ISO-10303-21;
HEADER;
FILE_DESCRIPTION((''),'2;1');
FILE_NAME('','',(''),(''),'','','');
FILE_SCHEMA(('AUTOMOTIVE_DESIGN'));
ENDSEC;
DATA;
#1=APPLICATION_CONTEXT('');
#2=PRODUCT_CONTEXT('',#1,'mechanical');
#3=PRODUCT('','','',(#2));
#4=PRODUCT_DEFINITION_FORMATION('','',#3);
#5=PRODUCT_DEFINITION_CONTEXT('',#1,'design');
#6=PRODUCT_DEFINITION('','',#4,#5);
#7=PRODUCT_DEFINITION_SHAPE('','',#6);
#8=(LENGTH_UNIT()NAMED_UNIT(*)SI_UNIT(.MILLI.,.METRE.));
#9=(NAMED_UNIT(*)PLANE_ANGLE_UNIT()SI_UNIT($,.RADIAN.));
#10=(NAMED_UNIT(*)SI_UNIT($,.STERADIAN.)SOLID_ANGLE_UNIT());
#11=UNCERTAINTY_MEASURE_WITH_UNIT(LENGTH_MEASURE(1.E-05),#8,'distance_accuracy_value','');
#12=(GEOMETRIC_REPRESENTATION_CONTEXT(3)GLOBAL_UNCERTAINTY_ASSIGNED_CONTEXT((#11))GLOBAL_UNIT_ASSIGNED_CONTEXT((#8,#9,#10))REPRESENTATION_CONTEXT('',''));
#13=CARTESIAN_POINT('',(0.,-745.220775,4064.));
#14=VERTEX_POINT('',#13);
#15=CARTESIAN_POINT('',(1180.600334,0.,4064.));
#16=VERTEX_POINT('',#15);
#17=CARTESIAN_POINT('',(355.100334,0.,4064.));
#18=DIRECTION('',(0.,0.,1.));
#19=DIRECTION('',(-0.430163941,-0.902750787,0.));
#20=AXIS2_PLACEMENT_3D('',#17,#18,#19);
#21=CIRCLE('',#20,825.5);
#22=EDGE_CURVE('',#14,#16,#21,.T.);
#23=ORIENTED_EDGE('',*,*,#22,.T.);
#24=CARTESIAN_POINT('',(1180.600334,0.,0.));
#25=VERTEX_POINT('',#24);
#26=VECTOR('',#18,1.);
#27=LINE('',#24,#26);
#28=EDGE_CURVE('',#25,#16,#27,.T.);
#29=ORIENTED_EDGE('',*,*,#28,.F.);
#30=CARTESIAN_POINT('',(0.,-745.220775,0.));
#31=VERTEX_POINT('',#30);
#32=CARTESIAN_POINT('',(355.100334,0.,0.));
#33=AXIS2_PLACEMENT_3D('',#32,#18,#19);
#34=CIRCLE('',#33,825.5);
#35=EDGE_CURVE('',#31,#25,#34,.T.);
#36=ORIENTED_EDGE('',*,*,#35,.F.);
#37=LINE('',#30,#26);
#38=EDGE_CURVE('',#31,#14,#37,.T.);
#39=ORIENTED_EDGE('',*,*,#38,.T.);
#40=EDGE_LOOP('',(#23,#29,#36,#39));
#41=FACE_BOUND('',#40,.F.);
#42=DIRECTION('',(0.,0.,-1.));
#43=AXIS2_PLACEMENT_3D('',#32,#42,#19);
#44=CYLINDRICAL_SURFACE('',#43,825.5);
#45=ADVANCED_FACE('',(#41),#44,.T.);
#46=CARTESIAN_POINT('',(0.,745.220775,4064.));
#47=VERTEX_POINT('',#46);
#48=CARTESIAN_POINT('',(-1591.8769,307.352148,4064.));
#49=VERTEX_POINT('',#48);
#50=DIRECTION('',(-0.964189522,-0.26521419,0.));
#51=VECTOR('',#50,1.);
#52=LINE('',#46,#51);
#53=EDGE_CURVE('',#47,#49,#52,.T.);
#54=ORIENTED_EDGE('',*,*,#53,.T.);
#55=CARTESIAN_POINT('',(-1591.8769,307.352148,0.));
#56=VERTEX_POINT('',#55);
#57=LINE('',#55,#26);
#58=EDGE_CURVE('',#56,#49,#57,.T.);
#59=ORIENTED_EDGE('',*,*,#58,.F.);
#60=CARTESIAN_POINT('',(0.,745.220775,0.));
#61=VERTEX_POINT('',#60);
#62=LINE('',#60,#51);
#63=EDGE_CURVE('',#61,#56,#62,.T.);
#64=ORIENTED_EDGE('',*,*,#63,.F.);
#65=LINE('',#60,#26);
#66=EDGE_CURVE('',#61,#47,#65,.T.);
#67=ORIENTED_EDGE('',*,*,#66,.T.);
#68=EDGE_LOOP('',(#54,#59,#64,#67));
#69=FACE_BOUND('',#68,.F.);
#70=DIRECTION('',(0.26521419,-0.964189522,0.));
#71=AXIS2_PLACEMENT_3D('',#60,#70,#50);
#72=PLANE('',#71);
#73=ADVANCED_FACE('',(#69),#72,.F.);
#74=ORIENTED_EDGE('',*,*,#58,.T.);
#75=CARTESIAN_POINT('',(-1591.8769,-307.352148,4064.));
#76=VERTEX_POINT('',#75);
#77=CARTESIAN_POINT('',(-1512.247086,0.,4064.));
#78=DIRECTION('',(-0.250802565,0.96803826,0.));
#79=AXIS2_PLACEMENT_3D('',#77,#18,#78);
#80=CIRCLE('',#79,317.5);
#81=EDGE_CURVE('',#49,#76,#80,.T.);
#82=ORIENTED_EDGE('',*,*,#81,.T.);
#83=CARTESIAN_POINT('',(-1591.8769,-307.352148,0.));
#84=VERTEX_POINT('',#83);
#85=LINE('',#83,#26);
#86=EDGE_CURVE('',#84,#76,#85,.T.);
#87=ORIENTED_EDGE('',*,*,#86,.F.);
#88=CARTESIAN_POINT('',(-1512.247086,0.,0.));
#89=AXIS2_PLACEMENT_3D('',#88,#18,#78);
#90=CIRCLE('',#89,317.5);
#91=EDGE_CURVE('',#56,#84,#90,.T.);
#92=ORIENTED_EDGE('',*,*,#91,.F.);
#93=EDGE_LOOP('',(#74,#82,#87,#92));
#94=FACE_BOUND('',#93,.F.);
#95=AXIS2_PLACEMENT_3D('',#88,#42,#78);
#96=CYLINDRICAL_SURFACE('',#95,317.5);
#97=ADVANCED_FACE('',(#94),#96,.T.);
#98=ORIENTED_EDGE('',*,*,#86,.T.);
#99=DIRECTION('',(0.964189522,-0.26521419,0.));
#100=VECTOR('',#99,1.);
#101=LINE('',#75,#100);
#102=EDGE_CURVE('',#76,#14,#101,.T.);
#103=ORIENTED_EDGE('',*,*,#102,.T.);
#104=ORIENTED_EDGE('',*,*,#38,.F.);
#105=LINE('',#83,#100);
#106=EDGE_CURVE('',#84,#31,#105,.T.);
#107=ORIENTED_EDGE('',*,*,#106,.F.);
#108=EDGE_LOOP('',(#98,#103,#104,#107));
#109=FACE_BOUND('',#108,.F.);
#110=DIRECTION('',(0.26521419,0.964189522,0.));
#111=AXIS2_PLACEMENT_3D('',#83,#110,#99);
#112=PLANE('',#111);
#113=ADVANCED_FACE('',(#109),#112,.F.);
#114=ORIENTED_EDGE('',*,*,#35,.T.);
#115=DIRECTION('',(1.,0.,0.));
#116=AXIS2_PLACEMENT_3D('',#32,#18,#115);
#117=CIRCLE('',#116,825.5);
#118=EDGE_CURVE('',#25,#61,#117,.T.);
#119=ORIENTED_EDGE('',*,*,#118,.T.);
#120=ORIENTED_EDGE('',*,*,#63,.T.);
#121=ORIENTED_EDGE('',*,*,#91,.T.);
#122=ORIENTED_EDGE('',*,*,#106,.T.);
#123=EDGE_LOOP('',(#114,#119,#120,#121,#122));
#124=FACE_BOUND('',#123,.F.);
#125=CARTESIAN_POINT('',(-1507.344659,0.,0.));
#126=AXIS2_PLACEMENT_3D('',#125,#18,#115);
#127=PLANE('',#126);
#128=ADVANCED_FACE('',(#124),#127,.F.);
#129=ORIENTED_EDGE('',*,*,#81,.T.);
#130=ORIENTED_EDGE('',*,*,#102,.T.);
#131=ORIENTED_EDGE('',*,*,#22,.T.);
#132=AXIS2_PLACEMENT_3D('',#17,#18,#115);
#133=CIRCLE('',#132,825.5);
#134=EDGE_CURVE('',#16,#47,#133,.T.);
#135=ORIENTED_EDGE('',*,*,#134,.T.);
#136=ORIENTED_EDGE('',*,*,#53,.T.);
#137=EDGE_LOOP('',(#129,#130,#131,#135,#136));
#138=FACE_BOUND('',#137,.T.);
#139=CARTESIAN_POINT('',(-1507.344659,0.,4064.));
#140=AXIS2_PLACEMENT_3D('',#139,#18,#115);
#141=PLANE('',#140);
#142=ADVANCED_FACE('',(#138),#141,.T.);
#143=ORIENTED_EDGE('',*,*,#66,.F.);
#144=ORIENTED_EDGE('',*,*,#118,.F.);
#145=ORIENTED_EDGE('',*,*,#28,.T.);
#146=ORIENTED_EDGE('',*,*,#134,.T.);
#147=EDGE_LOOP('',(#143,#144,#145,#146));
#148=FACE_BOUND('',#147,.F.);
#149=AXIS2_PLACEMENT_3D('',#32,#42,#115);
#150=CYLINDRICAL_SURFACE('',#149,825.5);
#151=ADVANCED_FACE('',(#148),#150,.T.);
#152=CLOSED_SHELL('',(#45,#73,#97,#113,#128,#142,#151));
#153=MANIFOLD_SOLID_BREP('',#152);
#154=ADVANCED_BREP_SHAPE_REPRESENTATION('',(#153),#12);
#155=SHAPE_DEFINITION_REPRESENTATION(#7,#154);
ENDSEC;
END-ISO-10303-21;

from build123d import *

# Parameters (mm, degrees)
F1_DEPTH = 4064


with BuildPart() as f1:
    # F0 (on Top) → F1 (new body)
    with BuildSketch(Plane.XY):
        with BuildLine():
            ThreePointArc((-1591.8769, -307.352148), (-1317.922893, -251.086356), (-1194.747086, 0))
            ThreePointArc((-1194.747086, 0), (-1317.922893, 251.086356), (-1591.8769, 307.352148))
            ThreePointArc((-1591.8769, 307.352148), (-1829.747086, 0), (-1591.8769, -307.352148))
        make_face()
        with BuildLine():
            ThreePointArc((-1591.8769, 307.352148), (-1317.922893, 251.086356), (-1194.747086, 0))
            ThreePointArc((-1194.747086, 0), (-1317.922893, -251.086356), (-1591.8769, -307.352148))
            Line((-1591.8769, -307.352148), (0, -745.220775))
            ThreePointArc((0, -745.220775), (-470.399666, 0), (0, 745.220775))
            Line((0, 745.220775), (-1591.8769, 307.352148))
        make_face()
        with BuildLine():
            ThreePointArc((1180.600334, 0), (795.733358, 698.063599), (0, 745.220775))
            ThreePointArc((0, 745.220775), (-470.399666, 0), (0, -745.220775))
            ThreePointArc((0, -745.220775), (795.733358, -698.063599), (1180.600334, 0))
        make_face()
    extrude(amount=F1_DEPTH)


solid = f1.part
